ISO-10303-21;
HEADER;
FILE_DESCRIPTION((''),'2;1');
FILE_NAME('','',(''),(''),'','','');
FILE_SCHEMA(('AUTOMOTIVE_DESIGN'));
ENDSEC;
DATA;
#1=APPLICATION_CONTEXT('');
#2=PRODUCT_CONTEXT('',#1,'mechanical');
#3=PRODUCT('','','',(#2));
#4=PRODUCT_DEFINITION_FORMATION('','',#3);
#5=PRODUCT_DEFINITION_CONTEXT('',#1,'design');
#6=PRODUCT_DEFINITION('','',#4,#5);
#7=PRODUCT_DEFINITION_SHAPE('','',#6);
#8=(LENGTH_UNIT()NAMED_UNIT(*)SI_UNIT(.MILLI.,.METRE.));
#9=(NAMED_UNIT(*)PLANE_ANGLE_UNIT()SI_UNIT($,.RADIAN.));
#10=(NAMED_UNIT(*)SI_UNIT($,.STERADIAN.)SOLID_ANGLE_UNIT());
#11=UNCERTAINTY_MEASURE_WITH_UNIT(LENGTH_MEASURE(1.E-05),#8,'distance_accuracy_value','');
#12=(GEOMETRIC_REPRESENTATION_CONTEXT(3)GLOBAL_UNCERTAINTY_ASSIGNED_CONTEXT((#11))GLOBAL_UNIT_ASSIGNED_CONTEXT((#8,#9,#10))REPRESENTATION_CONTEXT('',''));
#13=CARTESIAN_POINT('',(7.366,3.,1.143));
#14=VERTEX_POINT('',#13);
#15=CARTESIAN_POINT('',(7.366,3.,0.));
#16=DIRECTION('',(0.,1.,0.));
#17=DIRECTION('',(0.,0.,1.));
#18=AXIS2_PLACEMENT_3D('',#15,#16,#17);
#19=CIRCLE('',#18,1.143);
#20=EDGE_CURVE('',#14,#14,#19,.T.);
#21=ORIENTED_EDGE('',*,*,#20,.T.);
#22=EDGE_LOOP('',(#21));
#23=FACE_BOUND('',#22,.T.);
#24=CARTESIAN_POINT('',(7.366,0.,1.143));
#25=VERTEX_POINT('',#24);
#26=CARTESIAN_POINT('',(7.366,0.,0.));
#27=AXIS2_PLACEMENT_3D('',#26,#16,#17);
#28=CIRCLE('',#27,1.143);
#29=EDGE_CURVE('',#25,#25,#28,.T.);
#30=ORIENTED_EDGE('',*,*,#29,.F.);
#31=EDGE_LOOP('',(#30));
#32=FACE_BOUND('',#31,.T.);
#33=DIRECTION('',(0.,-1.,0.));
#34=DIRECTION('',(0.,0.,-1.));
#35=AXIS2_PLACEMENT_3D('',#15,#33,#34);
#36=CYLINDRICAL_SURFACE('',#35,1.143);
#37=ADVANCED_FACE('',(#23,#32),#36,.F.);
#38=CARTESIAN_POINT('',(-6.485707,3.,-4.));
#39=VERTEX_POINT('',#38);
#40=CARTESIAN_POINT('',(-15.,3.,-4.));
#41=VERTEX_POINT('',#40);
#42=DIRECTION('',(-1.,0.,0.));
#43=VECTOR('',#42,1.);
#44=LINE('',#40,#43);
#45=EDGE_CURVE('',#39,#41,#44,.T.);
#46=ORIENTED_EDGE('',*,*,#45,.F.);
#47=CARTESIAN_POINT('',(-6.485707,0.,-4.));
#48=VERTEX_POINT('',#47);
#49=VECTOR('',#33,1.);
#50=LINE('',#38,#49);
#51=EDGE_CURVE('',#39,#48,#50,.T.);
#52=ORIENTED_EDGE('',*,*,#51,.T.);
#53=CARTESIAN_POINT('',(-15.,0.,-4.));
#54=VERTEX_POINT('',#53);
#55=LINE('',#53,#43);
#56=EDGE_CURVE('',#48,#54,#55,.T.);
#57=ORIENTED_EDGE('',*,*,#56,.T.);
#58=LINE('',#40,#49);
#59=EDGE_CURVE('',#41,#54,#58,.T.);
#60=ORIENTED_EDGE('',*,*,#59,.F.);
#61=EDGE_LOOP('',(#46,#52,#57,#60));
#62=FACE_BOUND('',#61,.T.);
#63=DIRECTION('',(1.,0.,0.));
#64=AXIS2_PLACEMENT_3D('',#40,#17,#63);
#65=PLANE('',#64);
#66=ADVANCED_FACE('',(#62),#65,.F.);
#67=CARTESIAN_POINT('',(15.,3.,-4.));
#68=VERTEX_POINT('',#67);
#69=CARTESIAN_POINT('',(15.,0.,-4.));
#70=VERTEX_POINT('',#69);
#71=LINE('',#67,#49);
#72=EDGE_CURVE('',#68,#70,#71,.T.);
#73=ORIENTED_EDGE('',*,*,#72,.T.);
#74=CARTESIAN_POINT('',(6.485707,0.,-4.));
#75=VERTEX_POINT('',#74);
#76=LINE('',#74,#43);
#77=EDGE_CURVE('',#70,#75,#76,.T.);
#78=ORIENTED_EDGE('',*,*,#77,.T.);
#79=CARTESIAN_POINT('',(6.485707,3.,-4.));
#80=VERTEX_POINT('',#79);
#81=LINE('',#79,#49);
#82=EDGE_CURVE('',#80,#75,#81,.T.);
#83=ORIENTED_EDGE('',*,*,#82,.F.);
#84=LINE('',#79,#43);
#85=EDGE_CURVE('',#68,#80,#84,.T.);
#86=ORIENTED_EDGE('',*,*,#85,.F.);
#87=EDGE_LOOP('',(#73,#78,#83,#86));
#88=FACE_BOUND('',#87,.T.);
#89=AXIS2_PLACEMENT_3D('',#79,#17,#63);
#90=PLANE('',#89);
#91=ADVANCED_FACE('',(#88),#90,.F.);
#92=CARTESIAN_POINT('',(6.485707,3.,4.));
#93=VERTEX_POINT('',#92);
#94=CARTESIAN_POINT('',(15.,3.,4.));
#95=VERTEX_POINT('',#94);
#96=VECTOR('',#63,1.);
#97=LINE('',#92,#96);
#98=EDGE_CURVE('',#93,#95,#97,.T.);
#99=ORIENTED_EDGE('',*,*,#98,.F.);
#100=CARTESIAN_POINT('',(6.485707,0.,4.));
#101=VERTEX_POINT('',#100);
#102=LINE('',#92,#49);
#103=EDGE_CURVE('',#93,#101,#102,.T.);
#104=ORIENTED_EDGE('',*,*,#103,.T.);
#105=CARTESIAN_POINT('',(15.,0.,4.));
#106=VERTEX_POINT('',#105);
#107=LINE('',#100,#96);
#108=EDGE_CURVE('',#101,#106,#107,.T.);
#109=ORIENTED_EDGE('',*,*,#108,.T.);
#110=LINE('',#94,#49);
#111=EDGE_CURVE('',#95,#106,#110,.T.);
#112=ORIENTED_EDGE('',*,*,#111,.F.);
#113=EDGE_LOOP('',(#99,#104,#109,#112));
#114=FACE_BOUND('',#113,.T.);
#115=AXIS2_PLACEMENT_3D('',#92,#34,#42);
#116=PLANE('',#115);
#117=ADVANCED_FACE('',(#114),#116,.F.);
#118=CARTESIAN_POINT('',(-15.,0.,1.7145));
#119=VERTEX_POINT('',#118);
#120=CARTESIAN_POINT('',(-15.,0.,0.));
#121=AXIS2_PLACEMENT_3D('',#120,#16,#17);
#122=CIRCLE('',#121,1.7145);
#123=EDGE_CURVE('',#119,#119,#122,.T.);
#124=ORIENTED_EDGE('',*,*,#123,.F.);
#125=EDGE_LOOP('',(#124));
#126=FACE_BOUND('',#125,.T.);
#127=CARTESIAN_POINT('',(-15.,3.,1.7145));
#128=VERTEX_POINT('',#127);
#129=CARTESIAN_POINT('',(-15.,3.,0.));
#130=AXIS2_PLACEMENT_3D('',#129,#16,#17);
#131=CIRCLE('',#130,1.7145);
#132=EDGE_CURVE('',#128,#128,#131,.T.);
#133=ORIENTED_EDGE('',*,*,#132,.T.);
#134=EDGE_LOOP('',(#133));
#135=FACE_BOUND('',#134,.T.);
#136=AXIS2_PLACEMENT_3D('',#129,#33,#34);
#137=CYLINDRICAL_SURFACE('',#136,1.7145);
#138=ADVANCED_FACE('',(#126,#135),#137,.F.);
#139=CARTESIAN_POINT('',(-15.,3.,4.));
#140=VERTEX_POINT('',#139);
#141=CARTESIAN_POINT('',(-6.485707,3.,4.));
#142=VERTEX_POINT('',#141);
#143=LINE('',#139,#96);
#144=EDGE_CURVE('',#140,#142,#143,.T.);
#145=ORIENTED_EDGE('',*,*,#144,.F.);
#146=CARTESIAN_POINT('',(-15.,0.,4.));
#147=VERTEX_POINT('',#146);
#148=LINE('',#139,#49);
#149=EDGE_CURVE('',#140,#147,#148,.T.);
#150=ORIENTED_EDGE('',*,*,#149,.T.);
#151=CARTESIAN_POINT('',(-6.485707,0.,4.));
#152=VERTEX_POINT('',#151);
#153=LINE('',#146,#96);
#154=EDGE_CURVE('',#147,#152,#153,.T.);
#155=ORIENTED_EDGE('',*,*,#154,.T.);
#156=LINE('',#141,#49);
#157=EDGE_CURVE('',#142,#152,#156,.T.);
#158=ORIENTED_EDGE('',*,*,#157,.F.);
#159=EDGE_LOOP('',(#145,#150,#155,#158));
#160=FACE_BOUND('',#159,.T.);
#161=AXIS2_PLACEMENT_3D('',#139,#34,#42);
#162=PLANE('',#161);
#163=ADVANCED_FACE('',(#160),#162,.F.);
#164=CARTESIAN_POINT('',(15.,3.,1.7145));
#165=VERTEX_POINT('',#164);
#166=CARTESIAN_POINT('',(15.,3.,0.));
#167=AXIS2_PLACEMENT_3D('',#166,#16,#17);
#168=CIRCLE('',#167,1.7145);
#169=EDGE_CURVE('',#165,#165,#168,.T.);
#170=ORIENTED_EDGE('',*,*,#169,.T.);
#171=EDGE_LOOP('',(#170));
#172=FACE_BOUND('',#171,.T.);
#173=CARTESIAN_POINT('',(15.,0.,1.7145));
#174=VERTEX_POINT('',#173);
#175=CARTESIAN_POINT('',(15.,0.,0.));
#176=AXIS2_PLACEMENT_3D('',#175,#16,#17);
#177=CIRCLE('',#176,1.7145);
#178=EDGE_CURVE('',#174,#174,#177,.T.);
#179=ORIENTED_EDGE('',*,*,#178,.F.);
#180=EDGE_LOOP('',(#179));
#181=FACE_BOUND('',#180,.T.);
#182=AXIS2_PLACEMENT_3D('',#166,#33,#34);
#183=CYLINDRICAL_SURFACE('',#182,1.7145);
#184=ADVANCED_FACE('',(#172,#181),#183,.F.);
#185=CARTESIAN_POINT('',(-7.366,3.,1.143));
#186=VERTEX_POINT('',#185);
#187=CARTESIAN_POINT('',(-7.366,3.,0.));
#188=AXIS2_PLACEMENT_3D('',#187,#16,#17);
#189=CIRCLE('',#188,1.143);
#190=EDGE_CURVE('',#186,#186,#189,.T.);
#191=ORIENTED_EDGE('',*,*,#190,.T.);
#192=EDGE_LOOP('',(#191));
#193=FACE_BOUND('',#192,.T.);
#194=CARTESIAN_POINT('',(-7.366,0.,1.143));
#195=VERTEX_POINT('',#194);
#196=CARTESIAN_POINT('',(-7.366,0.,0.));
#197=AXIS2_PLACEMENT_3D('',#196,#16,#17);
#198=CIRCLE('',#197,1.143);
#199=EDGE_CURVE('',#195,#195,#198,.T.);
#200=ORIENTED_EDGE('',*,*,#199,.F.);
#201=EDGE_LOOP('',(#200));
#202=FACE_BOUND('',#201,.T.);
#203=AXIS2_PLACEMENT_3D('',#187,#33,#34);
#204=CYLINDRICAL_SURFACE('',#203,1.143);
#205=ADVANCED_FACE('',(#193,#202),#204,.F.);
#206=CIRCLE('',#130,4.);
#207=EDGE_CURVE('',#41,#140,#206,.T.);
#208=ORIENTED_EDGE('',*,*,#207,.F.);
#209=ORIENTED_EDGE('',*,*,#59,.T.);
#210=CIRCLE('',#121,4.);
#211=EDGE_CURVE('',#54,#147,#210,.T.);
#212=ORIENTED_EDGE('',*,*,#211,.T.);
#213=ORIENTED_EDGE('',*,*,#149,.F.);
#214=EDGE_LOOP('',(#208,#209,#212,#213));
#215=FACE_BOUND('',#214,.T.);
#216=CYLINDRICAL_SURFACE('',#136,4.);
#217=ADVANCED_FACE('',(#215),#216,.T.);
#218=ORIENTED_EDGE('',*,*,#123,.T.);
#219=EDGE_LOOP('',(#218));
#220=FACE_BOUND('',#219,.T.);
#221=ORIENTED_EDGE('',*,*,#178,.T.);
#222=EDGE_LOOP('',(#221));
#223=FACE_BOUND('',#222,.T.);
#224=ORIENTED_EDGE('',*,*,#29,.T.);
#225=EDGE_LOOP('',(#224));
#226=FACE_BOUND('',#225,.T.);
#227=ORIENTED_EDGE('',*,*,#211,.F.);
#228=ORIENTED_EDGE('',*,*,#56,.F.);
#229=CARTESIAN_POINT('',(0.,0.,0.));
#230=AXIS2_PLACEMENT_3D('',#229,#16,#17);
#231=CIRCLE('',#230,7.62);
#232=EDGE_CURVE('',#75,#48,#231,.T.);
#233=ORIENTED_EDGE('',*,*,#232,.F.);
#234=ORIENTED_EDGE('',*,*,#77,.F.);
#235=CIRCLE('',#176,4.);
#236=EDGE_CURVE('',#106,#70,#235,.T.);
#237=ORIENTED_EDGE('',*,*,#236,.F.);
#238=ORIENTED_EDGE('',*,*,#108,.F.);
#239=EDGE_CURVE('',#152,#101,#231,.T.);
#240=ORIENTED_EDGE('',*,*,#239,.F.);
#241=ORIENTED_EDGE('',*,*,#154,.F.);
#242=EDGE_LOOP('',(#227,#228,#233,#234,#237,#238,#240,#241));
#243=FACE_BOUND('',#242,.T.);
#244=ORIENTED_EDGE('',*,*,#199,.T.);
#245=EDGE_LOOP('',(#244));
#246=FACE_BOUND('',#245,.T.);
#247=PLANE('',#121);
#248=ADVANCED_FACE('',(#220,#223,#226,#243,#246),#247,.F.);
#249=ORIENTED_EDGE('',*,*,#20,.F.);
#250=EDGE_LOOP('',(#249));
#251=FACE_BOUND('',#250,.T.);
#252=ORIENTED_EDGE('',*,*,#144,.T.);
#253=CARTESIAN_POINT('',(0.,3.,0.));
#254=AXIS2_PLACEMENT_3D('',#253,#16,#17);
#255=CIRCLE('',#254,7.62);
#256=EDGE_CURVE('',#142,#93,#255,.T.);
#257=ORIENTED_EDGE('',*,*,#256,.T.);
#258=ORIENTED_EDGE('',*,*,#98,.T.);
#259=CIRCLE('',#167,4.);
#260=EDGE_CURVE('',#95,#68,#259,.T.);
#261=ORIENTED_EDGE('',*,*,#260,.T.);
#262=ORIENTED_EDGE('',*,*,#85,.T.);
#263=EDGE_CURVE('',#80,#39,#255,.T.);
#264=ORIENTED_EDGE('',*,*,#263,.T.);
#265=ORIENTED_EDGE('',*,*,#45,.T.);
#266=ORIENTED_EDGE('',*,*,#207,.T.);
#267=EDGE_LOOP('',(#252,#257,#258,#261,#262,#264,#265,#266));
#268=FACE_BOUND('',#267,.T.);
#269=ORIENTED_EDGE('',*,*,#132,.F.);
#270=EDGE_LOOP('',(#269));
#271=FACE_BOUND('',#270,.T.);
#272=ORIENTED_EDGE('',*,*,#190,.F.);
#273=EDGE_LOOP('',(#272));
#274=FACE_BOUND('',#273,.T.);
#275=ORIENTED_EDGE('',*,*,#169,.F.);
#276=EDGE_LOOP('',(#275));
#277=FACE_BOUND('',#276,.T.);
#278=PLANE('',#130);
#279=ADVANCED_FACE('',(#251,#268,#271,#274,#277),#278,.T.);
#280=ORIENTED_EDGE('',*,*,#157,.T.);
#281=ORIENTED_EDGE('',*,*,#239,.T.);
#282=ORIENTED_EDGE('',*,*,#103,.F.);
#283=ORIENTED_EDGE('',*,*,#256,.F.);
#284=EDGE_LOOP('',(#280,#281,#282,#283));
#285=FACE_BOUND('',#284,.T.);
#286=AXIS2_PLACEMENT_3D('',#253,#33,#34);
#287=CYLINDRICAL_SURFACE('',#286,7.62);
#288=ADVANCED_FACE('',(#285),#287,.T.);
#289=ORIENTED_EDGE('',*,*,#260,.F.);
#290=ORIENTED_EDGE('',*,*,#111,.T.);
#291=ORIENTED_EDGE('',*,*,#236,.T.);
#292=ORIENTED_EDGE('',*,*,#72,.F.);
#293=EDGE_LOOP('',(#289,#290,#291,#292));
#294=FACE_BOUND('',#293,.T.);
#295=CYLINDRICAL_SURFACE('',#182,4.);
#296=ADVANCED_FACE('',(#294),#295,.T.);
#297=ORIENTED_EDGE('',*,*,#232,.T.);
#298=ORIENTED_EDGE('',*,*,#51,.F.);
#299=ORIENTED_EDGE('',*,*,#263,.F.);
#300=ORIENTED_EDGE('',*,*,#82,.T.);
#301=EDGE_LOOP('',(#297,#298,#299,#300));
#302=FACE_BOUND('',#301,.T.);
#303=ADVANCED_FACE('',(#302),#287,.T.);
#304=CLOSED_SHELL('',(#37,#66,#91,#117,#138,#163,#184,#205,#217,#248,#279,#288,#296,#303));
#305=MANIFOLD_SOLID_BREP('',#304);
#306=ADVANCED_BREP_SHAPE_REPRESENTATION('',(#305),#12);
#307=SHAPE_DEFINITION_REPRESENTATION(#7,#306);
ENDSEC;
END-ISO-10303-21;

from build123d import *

# Parameters (mm, degrees)
SKETCH1_R           = 1.143
SKETCH1_R_2         = 1.7145
BOSS_EXTRUDE1_DEPTH = 3


with BuildPart() as part:
    # Sketch1 → Boss-Extrude1 (new body)
    with BuildSketch(Plane(origin=(0, 0, 0), x_dir=(1, 0, 0), z_dir=(0, 1, 0))):
        with BuildLine():
            Line((-15, 4), (-6.485707363, 4))
            ThreePointArc((-6.485707363, 4), (0, 7.62), (6.485707363, 4))
            Line((6.485707363, 4), (15, 4))
            ThreePointArc((15, 4), (19, 0), (15, -4))
            Line((15, -4), (6.485707363, -4))
            ThreePointArc((6.485707363, -4), (0, -7.62), (-6.485707363, -4))
            Line((-6.485707363, -4), (-15, -4))
            ThreePointArc((-15, -4), (-19, 0), (-15, 4))
        make_face()
        with Locations((-7.366, 0)):
            Circle(SKETCH1_R, mode=Mode.SUBTRACT)
        with Locations((7.366, 0)):
            Circle(SKETCH1_R, mode=Mode.SUBTRACT)
        with Locations((-15, 0)):
            Circle(SKETCH1_R_2, mode=Mode.SUBTRACT)
        with Locations((15, 0)):
            Circle(SKETCH1_R_2, mode=Mode.SUBTRACT)
    extrude(amount=BOSS_EXTRUDE1_DEPTH)


solid = part.part
